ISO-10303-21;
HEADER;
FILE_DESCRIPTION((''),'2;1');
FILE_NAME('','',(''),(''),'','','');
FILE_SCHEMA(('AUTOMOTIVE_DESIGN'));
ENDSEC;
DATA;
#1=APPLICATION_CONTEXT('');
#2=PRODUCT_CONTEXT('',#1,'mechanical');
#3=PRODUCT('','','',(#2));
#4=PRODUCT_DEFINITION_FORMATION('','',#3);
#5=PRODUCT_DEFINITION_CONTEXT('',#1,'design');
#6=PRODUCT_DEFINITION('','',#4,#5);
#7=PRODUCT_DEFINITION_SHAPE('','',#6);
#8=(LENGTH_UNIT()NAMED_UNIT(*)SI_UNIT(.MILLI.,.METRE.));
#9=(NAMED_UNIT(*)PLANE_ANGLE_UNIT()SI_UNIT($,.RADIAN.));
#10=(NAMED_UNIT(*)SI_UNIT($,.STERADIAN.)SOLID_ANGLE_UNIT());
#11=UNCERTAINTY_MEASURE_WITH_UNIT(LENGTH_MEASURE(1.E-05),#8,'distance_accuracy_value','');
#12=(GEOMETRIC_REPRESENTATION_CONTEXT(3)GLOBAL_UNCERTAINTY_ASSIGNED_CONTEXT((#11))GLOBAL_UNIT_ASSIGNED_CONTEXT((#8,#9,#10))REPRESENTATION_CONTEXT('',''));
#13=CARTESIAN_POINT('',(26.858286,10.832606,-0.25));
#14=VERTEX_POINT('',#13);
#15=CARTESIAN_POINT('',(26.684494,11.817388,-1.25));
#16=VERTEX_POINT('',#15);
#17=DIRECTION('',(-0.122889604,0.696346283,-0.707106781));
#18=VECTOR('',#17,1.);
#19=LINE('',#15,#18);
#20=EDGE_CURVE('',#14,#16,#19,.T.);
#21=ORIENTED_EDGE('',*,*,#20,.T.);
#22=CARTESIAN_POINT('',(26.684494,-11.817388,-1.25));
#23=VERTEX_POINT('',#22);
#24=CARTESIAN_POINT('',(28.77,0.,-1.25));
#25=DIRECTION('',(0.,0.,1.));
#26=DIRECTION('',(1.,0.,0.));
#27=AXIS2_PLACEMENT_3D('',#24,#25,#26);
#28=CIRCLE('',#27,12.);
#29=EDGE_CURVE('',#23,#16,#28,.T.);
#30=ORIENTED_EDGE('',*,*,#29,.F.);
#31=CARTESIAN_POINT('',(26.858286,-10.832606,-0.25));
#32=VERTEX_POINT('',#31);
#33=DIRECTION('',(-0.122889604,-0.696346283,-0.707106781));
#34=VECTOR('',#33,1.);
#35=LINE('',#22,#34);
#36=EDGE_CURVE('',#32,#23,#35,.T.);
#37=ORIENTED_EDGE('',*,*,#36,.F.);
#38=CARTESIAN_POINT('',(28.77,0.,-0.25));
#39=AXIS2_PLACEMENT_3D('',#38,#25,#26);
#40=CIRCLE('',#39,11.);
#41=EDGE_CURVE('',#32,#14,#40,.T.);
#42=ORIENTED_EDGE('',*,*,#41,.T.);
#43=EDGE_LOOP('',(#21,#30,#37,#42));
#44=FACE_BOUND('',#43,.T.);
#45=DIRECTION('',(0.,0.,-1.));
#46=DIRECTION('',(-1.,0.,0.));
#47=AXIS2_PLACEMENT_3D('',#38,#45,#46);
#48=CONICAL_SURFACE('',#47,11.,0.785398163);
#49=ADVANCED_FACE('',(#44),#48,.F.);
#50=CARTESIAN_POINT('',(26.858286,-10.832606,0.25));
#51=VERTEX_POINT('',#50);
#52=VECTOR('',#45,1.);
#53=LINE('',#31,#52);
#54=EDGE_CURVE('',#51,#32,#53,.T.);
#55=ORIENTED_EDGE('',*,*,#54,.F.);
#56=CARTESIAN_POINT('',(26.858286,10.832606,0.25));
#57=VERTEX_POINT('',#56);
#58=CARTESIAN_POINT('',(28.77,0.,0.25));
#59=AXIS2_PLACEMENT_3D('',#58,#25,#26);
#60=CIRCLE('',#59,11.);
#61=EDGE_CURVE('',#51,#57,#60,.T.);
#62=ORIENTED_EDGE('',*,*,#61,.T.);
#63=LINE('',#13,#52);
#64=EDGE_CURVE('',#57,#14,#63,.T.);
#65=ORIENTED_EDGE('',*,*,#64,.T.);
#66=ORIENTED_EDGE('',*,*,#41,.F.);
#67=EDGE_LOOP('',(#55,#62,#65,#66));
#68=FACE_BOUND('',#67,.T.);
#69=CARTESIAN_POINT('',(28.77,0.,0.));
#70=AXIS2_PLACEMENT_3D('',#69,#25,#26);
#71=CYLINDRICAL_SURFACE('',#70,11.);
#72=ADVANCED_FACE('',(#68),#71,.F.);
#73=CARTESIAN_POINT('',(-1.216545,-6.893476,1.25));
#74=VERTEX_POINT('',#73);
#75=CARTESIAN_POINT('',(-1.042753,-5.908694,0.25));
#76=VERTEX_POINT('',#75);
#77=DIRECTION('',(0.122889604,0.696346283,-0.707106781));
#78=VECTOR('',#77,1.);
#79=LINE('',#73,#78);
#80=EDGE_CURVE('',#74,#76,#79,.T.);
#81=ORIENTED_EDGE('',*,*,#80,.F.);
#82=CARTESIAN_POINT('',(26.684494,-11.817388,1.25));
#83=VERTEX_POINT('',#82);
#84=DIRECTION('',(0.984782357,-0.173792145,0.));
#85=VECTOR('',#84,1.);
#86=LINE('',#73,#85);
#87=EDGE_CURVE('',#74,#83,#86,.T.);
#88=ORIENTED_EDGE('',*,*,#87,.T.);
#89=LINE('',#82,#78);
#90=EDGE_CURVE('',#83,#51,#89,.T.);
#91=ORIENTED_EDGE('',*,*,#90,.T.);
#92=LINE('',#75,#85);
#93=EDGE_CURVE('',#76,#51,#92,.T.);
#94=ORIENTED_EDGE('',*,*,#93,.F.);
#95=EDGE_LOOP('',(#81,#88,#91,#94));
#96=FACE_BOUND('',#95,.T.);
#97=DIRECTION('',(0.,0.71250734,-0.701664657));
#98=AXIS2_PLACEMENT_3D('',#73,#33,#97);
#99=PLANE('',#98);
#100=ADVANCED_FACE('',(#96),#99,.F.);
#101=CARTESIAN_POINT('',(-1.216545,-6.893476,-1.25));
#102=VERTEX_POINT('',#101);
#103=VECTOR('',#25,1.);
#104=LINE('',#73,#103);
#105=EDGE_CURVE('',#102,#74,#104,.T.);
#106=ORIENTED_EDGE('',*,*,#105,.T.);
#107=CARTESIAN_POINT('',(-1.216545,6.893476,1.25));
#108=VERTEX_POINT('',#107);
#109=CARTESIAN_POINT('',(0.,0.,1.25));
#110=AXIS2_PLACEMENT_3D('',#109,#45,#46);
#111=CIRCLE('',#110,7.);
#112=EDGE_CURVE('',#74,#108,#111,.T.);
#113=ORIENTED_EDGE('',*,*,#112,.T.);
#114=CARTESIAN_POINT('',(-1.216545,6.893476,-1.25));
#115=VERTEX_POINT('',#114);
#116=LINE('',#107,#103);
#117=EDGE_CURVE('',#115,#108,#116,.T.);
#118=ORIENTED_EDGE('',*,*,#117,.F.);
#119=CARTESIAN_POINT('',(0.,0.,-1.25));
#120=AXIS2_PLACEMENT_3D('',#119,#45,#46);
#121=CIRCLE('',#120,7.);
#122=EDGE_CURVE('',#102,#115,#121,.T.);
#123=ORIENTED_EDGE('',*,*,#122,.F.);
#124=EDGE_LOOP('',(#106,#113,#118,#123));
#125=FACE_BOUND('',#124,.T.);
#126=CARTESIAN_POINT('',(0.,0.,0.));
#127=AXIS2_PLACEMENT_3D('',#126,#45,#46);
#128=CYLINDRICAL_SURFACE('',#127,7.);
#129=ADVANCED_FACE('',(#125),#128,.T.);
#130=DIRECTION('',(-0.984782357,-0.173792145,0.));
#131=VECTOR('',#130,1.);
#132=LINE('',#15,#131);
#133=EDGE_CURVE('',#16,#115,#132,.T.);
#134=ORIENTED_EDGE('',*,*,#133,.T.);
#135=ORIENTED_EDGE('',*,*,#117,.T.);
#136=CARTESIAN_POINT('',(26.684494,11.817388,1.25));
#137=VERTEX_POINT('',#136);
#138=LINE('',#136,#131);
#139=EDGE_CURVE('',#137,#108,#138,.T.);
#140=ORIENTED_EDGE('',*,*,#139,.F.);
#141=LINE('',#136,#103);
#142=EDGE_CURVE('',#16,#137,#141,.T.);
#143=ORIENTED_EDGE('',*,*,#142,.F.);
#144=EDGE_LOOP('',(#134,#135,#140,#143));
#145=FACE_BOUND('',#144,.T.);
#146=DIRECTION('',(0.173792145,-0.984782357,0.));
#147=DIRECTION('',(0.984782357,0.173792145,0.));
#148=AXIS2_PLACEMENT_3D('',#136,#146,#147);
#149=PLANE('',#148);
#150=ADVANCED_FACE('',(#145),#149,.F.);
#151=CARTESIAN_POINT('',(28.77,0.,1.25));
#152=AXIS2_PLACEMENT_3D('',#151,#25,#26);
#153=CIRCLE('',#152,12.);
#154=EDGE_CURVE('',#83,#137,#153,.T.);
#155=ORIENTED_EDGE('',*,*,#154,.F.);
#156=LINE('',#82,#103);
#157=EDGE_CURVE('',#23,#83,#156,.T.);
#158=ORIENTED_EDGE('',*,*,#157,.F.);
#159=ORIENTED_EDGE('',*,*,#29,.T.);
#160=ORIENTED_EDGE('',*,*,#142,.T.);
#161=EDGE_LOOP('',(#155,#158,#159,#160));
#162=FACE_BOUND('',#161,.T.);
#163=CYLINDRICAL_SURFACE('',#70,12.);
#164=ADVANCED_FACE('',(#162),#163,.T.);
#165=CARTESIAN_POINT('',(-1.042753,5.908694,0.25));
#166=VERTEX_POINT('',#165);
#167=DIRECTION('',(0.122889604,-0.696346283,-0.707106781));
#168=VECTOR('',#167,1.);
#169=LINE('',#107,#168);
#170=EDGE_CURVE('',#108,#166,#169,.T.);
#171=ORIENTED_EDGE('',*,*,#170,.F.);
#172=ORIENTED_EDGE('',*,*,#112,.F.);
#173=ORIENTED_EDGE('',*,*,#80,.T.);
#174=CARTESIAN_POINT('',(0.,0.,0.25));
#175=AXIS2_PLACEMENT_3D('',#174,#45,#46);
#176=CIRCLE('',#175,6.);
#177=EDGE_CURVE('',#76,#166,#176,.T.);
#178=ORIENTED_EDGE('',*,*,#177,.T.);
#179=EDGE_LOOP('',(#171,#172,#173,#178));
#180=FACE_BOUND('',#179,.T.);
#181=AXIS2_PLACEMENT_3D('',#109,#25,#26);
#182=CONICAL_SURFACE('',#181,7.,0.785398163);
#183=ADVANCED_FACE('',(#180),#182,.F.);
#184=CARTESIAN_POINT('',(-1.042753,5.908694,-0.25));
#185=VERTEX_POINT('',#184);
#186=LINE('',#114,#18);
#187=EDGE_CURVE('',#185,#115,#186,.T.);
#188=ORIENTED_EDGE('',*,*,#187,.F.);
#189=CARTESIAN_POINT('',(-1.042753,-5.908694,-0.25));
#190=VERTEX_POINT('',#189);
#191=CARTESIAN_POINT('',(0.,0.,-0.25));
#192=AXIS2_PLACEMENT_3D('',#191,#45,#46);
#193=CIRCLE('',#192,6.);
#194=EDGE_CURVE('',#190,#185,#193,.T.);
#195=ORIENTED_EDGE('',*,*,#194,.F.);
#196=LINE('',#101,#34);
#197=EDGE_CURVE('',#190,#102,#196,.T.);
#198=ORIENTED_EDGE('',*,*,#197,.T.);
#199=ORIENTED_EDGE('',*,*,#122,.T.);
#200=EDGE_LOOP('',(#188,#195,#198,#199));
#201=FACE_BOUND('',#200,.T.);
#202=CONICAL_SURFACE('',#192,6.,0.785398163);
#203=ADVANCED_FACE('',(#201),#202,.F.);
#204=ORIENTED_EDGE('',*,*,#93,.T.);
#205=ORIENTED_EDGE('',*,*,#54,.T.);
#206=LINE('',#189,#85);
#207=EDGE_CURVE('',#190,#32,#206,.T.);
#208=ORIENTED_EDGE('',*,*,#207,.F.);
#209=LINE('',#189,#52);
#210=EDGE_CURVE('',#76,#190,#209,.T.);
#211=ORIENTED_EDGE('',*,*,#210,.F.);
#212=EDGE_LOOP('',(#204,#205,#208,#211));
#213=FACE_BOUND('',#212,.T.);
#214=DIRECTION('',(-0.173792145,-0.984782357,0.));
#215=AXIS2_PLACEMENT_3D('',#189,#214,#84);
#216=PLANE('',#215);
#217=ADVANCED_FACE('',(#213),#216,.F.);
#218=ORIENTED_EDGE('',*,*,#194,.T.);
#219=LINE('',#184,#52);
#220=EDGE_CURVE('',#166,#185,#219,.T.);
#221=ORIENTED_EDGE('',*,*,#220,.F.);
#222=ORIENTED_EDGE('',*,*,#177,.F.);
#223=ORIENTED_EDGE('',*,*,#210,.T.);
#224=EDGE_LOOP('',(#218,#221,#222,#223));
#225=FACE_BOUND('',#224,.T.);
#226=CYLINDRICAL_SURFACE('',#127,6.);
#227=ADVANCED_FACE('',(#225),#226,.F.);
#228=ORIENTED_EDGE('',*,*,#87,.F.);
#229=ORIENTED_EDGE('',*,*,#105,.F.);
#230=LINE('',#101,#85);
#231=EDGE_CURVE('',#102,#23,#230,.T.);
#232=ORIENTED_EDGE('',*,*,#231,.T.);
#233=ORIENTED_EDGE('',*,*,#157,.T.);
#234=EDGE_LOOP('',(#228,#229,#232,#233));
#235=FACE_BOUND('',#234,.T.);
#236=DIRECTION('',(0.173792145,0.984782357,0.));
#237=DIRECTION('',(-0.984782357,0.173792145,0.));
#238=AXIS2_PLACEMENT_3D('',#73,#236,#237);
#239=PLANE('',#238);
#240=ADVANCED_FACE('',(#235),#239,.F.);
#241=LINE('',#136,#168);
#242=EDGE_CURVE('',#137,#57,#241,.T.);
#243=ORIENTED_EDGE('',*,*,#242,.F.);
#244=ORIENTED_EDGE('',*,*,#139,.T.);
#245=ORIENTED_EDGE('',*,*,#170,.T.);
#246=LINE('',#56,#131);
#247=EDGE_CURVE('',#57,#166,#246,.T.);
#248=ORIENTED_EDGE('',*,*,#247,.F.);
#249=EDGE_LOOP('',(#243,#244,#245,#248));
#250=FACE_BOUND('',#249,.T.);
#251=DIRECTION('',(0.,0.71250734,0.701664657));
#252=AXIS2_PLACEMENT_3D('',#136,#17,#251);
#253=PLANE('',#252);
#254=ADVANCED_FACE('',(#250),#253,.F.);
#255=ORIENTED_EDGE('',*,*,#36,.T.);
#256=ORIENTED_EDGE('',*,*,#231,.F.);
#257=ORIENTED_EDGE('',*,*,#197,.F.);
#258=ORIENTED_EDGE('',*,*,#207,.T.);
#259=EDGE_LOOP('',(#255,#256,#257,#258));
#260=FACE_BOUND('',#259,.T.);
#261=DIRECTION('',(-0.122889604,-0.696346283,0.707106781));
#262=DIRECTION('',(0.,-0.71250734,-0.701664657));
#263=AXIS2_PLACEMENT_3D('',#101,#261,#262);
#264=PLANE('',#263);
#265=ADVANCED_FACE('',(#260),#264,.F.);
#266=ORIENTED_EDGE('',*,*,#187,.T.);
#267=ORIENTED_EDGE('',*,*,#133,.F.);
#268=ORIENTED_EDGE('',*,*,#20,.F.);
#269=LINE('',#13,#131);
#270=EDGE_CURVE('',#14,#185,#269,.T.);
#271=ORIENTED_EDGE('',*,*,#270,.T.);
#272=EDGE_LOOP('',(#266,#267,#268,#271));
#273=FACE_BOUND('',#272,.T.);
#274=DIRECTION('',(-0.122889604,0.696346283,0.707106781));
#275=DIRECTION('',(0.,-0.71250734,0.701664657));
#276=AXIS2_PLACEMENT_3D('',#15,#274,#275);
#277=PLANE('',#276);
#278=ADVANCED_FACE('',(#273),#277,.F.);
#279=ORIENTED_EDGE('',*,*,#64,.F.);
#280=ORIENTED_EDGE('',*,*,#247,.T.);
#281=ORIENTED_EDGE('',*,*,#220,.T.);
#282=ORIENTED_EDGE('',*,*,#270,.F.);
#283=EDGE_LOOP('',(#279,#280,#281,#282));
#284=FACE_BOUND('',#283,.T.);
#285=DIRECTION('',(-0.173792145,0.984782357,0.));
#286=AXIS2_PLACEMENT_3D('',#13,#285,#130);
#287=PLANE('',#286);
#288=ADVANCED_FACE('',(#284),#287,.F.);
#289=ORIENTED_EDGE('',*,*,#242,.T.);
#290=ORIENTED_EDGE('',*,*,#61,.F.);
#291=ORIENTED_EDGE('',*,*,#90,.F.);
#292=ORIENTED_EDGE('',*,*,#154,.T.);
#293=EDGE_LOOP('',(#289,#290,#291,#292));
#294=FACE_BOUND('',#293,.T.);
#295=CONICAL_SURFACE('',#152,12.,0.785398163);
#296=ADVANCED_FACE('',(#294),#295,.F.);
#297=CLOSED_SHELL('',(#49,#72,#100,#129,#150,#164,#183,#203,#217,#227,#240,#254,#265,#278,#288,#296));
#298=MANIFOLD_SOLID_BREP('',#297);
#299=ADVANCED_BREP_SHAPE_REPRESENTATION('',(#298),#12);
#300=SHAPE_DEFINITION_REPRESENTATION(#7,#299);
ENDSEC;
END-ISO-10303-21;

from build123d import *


with BuildPart() as part:
    # Balayage1: sweep along a path in Esquisse1
    with BuildLine(Plane.XY) as balayage1_path:
        Line((26.858286409, 10.832605926), (-1.042752868, 5.908694141))
        ThreePointArc((-1.042752868, 5.908694141), (-6, 0), (-1.042752868, -5.908694141))
        Line((-1.042752868, -5.908694141), (26.858286409, -10.832605926))
        ThreePointArc((26.858286409, -10.832605926), (39.77, 0), (26.858286409, 10.832605926))
    # Esquisse2 → Balayage1 (sweep)
    with BuildSketch(Plane(origin=(0, 0, 0), x_dir=(1, 0, 0), z_dir=(0, 1, 0))):
        Polygon((-7, -1.25), (-7, 1.25), (-6, 0.25), (-6, -0.25), align=None)
    sweep(path=balayage1_path.line)


solid = part.part
